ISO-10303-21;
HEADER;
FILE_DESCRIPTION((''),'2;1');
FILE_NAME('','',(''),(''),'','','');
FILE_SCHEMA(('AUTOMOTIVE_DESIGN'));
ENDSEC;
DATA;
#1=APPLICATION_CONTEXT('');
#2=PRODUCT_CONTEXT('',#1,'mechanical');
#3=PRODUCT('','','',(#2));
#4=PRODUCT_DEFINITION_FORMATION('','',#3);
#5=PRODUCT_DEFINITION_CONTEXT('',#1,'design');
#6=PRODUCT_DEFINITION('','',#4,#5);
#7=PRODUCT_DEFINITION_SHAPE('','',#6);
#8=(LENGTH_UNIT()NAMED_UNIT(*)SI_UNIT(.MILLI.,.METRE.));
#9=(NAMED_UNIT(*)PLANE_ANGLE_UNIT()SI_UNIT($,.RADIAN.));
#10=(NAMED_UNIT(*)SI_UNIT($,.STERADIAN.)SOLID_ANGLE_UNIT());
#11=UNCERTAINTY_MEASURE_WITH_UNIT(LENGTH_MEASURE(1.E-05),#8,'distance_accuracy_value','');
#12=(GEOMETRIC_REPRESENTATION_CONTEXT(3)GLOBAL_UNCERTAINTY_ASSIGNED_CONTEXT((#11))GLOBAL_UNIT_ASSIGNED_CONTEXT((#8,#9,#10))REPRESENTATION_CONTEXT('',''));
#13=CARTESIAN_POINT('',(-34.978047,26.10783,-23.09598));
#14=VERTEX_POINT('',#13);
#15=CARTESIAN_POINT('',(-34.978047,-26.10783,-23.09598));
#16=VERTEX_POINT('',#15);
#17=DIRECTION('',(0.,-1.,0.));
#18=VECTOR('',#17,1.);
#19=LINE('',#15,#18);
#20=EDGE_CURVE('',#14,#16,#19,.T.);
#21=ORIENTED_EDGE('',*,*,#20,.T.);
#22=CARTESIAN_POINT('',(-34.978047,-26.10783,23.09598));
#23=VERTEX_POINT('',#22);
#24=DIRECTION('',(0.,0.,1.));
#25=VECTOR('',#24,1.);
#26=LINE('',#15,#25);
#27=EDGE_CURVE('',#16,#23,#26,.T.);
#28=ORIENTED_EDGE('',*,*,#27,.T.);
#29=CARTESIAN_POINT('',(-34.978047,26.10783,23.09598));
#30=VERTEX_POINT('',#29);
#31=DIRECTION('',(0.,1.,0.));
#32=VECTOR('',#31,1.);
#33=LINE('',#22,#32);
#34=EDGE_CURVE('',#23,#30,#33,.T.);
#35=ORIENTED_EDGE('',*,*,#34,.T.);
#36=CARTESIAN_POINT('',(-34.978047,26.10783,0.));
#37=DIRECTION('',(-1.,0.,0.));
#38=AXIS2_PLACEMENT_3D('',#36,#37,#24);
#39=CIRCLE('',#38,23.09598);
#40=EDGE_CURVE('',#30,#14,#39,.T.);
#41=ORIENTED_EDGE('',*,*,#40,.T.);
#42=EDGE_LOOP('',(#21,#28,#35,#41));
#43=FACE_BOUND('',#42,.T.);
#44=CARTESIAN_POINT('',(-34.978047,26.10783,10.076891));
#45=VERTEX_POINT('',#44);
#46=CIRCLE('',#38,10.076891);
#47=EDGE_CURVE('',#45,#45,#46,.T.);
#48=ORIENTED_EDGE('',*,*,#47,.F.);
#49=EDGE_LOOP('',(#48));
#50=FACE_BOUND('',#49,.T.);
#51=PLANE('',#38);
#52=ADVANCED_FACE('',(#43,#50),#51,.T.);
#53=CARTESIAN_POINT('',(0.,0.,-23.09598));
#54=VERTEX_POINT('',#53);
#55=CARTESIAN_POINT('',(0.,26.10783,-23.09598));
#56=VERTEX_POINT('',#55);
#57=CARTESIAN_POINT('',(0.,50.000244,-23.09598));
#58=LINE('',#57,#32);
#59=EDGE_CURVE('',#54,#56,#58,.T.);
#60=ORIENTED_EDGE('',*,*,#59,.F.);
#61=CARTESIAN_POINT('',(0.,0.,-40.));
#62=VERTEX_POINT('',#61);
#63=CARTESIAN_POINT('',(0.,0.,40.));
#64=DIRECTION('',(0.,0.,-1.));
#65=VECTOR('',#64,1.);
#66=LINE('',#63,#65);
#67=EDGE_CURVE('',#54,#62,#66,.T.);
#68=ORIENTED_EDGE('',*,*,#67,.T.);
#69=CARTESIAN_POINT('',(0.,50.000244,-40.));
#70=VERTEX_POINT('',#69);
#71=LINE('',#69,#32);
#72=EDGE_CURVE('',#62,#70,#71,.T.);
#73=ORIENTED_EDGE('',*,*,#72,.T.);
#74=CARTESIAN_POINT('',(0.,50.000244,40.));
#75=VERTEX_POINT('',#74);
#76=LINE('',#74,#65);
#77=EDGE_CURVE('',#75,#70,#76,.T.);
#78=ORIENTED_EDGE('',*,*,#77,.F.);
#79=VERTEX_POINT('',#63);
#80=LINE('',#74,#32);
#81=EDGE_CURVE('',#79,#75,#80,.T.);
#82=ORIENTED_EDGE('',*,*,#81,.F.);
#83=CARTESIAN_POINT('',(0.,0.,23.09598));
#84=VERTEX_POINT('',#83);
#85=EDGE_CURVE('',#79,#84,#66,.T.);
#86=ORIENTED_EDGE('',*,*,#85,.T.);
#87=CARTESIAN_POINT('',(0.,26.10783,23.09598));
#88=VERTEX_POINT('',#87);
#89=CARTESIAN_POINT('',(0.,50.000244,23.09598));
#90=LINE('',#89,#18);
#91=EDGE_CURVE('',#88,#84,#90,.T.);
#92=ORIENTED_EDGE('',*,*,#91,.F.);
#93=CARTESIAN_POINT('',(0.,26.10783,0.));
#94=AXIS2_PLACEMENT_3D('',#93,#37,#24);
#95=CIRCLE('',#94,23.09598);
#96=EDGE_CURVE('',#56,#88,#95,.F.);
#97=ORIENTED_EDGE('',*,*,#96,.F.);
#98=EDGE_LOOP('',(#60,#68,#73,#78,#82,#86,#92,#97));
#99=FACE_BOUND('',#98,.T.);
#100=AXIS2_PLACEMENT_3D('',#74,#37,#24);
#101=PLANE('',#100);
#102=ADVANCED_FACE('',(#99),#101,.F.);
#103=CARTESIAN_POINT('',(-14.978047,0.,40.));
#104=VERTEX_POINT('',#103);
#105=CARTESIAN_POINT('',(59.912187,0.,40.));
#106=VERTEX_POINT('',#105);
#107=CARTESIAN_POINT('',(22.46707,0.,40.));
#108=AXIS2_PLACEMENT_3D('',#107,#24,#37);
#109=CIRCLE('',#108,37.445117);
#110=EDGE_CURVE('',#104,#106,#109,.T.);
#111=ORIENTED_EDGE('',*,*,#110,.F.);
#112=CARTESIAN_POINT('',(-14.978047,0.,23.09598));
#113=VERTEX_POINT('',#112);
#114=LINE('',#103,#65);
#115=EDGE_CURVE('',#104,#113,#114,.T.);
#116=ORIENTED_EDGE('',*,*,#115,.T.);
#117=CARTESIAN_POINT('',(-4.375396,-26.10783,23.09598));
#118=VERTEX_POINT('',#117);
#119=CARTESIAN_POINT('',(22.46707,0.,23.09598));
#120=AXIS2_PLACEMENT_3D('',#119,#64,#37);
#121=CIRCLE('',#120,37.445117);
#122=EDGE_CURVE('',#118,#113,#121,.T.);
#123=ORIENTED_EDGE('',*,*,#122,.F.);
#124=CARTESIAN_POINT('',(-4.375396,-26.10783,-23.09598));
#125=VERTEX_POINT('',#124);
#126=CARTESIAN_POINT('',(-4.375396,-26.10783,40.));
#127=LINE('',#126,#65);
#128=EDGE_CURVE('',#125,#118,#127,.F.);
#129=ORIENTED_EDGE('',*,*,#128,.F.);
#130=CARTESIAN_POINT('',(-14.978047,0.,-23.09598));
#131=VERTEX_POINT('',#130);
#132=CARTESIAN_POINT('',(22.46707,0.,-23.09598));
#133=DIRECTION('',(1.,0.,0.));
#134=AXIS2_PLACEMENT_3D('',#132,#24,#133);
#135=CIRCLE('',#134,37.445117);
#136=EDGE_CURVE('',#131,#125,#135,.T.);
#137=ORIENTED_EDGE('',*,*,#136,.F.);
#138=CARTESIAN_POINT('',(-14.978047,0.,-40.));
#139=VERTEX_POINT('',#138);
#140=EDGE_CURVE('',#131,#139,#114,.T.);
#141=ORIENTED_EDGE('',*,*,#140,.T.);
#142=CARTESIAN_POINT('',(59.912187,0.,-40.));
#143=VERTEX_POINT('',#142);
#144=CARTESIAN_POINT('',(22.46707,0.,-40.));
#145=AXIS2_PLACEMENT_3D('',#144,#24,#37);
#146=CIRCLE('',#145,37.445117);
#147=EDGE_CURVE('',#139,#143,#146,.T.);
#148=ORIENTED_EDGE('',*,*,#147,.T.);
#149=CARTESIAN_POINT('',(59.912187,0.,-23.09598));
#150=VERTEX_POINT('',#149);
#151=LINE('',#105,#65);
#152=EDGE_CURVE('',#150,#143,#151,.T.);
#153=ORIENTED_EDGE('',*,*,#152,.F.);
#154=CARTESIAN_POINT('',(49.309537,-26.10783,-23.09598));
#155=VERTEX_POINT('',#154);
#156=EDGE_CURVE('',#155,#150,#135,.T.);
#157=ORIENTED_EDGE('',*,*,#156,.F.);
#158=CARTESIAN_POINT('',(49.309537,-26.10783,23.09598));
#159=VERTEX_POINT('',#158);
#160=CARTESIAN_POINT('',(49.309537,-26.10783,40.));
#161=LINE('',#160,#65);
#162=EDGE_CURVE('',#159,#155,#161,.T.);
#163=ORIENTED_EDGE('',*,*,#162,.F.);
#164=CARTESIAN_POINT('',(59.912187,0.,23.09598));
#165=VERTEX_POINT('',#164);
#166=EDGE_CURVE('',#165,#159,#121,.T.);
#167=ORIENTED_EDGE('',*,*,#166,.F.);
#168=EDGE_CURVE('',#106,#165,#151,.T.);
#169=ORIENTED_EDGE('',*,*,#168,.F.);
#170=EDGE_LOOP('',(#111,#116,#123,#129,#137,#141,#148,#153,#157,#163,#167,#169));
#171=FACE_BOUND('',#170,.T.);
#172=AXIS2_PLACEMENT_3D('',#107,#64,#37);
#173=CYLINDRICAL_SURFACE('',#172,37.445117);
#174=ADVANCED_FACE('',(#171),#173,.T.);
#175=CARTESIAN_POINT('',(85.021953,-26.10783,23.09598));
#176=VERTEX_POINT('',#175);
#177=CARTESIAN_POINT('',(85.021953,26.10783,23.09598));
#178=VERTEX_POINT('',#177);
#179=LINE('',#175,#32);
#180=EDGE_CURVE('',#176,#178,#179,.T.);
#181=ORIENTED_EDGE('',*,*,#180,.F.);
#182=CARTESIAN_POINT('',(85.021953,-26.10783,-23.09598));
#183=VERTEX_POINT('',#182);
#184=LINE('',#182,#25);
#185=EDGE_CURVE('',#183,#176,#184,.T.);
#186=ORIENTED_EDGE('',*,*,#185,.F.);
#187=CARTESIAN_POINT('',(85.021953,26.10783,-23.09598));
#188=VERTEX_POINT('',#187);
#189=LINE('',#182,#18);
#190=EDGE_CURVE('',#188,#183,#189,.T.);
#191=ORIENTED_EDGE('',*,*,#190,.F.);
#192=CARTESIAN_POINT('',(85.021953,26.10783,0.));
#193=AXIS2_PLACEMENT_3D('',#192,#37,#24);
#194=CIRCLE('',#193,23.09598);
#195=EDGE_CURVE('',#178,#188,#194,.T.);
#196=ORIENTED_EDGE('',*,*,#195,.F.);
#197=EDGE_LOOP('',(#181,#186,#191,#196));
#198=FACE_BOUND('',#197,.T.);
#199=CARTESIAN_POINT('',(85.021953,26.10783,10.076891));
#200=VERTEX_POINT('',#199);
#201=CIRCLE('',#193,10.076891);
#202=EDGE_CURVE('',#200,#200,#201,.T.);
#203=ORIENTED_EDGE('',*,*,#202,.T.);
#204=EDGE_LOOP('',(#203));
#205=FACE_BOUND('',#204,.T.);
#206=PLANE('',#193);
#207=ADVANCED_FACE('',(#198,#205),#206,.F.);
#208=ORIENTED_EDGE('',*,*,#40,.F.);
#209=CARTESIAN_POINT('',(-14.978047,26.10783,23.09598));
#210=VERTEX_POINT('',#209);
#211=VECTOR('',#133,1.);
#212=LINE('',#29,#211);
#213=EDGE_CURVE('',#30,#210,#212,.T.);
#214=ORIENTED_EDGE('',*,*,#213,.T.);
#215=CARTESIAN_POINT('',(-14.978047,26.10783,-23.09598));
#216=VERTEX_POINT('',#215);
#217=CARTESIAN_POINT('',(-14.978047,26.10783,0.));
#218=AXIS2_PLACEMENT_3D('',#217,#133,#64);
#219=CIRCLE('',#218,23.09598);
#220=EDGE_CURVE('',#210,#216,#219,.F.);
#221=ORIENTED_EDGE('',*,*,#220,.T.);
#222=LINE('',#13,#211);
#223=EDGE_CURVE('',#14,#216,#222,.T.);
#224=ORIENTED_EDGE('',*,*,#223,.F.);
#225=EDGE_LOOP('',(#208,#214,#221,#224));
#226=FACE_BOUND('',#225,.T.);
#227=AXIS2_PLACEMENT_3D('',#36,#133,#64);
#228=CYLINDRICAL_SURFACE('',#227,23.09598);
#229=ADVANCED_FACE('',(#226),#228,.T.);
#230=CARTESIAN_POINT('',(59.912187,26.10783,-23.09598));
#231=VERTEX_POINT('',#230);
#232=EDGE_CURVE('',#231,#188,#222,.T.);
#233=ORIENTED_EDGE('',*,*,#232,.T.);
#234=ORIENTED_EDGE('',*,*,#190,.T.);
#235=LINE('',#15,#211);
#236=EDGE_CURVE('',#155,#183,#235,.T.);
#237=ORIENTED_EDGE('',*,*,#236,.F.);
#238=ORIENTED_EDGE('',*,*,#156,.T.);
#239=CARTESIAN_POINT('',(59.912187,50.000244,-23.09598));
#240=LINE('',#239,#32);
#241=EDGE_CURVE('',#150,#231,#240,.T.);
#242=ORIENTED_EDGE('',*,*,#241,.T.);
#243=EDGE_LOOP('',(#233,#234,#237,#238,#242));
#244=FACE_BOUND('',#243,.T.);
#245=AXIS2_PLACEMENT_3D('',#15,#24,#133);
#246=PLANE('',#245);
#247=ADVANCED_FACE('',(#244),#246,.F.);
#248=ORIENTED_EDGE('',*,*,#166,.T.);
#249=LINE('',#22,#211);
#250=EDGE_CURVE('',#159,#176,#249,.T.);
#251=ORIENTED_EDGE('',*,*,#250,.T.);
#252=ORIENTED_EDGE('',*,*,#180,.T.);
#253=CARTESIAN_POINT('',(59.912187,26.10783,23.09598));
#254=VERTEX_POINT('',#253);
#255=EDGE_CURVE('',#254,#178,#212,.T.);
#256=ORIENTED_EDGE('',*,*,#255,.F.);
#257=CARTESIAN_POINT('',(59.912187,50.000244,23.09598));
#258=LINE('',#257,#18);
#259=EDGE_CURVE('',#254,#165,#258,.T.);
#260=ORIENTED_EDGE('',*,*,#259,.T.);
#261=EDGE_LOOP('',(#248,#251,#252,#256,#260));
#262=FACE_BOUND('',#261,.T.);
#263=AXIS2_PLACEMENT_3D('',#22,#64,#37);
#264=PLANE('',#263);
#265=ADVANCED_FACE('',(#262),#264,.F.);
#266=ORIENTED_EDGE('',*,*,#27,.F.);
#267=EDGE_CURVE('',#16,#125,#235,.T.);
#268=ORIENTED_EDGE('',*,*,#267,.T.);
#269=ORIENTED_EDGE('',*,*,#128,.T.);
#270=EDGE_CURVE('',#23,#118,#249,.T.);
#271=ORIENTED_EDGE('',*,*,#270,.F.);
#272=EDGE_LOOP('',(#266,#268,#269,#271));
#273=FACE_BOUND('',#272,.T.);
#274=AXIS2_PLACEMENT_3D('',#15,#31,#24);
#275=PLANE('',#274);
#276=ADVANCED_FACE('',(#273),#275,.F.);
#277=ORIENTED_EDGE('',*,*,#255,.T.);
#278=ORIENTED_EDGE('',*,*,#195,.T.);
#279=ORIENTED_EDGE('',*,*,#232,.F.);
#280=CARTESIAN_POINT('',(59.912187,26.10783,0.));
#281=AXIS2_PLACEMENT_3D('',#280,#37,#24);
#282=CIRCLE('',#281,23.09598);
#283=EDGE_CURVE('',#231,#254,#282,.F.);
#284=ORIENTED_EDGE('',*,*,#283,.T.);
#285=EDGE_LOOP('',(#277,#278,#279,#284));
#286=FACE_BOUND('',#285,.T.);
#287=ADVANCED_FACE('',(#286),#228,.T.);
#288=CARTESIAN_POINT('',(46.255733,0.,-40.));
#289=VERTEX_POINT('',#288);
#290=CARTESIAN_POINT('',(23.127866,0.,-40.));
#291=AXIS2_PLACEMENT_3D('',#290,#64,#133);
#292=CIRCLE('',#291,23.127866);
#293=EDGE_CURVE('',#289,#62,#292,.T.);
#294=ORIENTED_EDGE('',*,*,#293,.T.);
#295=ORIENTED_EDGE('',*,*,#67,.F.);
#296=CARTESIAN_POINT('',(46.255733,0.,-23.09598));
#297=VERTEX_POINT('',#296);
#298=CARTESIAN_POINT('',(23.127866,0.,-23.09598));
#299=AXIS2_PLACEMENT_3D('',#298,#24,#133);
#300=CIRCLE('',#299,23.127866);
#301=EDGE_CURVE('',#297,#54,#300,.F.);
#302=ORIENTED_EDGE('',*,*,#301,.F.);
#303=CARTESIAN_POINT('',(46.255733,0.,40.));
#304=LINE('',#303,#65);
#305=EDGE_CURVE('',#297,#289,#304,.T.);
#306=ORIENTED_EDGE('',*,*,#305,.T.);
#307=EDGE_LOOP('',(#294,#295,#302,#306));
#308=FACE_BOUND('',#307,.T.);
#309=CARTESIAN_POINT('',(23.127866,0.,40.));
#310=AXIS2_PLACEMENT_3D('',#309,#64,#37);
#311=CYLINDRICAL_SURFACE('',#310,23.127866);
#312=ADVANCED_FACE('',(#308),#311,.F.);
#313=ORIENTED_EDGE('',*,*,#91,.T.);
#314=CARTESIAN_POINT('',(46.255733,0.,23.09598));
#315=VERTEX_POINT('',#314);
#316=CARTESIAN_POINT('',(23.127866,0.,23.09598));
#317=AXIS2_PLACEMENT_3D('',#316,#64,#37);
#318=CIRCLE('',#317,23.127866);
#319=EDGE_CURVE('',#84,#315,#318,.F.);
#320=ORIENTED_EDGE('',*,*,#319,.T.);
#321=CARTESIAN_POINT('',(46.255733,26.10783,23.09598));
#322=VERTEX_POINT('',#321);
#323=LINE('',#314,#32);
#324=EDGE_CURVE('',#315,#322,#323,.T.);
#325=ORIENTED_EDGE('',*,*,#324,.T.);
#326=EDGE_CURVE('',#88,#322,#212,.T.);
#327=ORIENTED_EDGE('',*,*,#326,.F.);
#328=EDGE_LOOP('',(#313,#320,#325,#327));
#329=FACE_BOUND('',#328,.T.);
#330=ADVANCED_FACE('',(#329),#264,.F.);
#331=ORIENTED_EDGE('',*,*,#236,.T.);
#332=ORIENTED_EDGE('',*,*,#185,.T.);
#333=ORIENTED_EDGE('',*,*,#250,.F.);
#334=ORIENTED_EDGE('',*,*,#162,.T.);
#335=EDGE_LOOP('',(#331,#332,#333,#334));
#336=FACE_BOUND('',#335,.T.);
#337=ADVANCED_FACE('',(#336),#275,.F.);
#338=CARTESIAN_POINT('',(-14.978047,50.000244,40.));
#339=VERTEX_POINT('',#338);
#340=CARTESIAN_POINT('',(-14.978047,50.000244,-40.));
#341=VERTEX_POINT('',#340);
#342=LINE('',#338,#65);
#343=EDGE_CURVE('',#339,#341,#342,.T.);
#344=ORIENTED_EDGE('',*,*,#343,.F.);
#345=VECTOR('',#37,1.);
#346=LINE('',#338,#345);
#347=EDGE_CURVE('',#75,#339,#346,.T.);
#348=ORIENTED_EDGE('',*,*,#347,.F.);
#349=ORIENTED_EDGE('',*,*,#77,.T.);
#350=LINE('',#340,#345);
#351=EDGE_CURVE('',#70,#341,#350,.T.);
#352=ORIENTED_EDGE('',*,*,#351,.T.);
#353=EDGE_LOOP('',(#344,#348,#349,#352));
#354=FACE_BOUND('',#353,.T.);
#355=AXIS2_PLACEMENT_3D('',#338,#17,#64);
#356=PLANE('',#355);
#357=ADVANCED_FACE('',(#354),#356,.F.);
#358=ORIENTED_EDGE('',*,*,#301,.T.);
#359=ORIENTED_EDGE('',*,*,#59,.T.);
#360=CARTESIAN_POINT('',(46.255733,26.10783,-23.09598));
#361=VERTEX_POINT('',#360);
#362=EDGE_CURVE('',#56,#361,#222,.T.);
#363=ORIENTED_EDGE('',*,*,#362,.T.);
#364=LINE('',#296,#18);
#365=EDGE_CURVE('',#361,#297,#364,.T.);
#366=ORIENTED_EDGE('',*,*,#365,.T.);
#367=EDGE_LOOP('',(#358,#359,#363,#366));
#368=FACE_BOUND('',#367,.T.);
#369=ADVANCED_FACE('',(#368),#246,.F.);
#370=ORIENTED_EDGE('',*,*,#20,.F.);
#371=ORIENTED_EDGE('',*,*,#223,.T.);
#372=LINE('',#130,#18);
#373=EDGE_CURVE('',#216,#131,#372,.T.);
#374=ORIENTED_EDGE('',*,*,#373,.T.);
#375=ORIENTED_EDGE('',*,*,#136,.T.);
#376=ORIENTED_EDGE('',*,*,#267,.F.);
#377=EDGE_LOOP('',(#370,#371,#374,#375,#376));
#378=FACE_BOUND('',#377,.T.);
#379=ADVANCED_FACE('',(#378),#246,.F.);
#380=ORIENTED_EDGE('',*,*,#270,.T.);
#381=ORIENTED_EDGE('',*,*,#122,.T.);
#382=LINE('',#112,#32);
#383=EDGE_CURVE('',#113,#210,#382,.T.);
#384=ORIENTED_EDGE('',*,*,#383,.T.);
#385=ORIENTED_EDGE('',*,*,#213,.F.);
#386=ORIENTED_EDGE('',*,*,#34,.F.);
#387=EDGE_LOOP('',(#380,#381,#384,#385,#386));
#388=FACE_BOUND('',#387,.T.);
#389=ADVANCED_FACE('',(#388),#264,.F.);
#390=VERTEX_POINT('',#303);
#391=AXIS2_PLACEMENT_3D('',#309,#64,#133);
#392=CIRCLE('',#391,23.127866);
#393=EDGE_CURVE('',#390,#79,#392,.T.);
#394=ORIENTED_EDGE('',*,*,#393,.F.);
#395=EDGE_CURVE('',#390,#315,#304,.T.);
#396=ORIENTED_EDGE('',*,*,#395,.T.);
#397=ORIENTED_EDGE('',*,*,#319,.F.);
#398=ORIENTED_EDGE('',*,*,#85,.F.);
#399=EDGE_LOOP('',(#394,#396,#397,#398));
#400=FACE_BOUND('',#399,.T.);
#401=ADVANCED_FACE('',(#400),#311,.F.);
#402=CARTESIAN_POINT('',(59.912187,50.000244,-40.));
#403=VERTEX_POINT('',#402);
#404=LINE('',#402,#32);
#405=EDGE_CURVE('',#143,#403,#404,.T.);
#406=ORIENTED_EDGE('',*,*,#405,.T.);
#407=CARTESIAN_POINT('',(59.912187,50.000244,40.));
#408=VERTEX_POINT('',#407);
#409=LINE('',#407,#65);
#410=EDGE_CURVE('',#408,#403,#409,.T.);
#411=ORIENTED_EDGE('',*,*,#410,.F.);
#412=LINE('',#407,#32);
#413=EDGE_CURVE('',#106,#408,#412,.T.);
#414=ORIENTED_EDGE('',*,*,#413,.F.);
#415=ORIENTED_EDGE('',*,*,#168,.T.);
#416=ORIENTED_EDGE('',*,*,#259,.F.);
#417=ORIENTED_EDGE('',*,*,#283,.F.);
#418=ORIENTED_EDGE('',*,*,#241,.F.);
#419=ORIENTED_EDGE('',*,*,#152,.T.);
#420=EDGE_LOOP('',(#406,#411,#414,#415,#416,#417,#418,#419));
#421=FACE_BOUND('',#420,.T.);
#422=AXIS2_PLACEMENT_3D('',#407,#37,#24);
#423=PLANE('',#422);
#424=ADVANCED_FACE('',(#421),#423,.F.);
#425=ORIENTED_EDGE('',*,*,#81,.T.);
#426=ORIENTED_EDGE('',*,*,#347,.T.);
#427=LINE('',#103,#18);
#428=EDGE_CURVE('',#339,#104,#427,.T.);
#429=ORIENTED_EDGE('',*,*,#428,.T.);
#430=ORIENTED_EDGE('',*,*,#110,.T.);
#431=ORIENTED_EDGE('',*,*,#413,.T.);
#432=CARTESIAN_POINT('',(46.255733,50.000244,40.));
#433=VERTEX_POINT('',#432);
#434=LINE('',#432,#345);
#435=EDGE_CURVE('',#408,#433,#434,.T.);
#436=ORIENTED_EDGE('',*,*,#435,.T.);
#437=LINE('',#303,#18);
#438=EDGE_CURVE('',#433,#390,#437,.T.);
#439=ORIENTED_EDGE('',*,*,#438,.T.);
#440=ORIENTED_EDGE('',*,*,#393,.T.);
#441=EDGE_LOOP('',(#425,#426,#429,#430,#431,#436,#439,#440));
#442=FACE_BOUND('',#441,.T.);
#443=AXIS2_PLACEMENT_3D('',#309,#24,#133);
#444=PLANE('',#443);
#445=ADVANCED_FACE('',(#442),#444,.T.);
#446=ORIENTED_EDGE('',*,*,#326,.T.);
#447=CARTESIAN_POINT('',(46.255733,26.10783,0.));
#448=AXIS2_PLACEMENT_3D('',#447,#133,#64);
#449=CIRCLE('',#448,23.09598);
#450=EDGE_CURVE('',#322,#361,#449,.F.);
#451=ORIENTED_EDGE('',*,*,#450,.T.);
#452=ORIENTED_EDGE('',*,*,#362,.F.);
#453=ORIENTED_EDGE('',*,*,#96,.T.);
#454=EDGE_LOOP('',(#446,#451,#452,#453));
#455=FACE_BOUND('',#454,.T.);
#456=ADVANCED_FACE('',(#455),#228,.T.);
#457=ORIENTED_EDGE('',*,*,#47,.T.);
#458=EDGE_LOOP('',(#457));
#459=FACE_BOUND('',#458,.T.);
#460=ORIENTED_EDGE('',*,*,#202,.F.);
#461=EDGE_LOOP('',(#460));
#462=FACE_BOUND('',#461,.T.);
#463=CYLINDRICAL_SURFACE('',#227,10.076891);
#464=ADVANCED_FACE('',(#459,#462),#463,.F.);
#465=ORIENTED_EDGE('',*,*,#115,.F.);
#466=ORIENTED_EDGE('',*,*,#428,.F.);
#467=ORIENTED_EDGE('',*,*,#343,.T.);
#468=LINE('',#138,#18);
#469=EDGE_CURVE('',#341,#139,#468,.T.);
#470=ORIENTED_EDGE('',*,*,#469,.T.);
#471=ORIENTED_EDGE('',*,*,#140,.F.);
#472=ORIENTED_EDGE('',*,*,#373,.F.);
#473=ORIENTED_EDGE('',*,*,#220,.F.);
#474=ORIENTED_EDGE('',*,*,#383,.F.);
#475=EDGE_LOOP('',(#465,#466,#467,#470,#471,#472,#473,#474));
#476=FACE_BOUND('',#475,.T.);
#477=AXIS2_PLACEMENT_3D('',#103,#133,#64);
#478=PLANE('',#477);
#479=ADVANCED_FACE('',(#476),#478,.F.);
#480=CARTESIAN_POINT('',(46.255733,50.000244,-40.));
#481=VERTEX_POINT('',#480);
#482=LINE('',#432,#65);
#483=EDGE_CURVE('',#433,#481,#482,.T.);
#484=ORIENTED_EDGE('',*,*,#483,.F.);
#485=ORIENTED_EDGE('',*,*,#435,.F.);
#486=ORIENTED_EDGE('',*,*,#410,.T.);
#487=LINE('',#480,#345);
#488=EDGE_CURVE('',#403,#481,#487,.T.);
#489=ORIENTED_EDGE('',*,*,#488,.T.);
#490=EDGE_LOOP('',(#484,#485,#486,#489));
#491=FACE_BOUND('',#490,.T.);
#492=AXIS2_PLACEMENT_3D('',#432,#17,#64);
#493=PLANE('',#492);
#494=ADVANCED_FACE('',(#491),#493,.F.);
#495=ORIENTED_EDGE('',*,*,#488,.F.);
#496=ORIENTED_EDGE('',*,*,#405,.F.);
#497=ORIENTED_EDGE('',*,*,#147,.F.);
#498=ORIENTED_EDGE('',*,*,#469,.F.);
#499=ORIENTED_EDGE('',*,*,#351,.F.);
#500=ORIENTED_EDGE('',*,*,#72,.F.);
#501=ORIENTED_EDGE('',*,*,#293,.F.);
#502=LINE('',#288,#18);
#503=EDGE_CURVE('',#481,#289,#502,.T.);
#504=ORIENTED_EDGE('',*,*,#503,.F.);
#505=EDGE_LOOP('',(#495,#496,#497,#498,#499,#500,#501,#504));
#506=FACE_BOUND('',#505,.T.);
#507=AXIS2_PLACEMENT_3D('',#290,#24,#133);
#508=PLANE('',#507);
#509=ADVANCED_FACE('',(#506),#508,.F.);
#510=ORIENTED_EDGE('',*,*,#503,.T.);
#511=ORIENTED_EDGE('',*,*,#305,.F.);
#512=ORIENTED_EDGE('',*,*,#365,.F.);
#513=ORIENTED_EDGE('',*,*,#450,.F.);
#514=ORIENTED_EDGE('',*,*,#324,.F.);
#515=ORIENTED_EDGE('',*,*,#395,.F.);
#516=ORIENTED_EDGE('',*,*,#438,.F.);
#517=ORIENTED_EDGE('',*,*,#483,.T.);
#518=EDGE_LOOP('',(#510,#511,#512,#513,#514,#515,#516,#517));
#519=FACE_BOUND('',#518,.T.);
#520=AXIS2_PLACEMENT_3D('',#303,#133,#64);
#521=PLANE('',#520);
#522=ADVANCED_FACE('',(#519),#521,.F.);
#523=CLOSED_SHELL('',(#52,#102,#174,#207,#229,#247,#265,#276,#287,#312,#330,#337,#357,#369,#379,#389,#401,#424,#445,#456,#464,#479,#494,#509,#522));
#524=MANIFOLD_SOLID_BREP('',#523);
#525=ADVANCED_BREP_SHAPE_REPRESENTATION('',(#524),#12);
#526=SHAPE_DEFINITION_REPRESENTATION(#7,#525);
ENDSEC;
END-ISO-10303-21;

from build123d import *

# Parameters (mm, degrees)
BOSS_EXTRUDE1_DEPTH      = 40
SKETCH2_R                = 10.076891008
BOSS_EXTRUDE2_DEPTH      = 20
BOSS_EXTRUDE2_DEPTH_BACK = 100
SKETCH5_R                = 10.076891008
CUT_EXTRUDE1_DEPTH       = 101


with BuildPart() as part:
    # Sketch1 → Boss-Extrude1 (new body, symmetric)
    with BuildSketch(Plane.XY):
        with BuildLine():
            Line((0, 50.000244442), (0, 0))
            ThreePointArc((0, 0), (23.127866372, -23.127866372), (46.255732744, 0))
            Line((46.255732744, 0), (46.255732744, 50.000244442))
            Line((46.255732744, 50.000244442), (59.912187173, 50.000244442))
            Line((59.912187173, 50.000244442), (59.912187173, 0))
            ThreePointArc((59.912187173, 0), (22.46707019, -37.445116983), (-14.978046793, 0))
            Line((-14.978046793, 0), (-14.978046793, 50.000244442))
            Line((-14.978046793, 50.000244442), (0, 50.000244442))
        make_face()
    extrude(amount=BOSS_EXTRUDE1_DEPTH, both=True)

    # Sketch2 → Boss-Extrude2 (add, two sides)
    with BuildSketch(Plane.ZY.offset(14.978046793)) as boss_extrude2_sk:
        with BuildLine():
            Line((-23.095980377, -26.1078298), (23.095980377, -26.1078298))
            Line((23.095980377, -26.1078298), (23.095980377, 26.1078298))
            ThreePointArc((23.095980377, 26.1078298), (0, 49.203810178), (-23.095980377, 26.1078298))
            Line((-23.095980377, 26.1078298), (-23.095980377, -26.1078298))
        make_face()
        with Locations((0, 26.1078298)):
            Circle(SKETCH2_R, mode=Mode.SUBTRACT)
    extrude(amount=BOSS_EXTRUDE2_DEPTH)
    extrude(boss_extrude2_sk.sketch, amount=-BOSS_EXTRUDE2_DEPTH_BACK)

    # Sketch5 → Cut-Extrude1 (cut, through all)
    with BuildSketch(Plane.ZY.offset(14.978046793)):
        with Locations((0, 26.1078298)):
            Circle(SKETCH5_R)
    extrude(amount=-CUT_EXTRUDE1_DEPTH, mode=Mode.SUBTRACT)


solid = part.part
